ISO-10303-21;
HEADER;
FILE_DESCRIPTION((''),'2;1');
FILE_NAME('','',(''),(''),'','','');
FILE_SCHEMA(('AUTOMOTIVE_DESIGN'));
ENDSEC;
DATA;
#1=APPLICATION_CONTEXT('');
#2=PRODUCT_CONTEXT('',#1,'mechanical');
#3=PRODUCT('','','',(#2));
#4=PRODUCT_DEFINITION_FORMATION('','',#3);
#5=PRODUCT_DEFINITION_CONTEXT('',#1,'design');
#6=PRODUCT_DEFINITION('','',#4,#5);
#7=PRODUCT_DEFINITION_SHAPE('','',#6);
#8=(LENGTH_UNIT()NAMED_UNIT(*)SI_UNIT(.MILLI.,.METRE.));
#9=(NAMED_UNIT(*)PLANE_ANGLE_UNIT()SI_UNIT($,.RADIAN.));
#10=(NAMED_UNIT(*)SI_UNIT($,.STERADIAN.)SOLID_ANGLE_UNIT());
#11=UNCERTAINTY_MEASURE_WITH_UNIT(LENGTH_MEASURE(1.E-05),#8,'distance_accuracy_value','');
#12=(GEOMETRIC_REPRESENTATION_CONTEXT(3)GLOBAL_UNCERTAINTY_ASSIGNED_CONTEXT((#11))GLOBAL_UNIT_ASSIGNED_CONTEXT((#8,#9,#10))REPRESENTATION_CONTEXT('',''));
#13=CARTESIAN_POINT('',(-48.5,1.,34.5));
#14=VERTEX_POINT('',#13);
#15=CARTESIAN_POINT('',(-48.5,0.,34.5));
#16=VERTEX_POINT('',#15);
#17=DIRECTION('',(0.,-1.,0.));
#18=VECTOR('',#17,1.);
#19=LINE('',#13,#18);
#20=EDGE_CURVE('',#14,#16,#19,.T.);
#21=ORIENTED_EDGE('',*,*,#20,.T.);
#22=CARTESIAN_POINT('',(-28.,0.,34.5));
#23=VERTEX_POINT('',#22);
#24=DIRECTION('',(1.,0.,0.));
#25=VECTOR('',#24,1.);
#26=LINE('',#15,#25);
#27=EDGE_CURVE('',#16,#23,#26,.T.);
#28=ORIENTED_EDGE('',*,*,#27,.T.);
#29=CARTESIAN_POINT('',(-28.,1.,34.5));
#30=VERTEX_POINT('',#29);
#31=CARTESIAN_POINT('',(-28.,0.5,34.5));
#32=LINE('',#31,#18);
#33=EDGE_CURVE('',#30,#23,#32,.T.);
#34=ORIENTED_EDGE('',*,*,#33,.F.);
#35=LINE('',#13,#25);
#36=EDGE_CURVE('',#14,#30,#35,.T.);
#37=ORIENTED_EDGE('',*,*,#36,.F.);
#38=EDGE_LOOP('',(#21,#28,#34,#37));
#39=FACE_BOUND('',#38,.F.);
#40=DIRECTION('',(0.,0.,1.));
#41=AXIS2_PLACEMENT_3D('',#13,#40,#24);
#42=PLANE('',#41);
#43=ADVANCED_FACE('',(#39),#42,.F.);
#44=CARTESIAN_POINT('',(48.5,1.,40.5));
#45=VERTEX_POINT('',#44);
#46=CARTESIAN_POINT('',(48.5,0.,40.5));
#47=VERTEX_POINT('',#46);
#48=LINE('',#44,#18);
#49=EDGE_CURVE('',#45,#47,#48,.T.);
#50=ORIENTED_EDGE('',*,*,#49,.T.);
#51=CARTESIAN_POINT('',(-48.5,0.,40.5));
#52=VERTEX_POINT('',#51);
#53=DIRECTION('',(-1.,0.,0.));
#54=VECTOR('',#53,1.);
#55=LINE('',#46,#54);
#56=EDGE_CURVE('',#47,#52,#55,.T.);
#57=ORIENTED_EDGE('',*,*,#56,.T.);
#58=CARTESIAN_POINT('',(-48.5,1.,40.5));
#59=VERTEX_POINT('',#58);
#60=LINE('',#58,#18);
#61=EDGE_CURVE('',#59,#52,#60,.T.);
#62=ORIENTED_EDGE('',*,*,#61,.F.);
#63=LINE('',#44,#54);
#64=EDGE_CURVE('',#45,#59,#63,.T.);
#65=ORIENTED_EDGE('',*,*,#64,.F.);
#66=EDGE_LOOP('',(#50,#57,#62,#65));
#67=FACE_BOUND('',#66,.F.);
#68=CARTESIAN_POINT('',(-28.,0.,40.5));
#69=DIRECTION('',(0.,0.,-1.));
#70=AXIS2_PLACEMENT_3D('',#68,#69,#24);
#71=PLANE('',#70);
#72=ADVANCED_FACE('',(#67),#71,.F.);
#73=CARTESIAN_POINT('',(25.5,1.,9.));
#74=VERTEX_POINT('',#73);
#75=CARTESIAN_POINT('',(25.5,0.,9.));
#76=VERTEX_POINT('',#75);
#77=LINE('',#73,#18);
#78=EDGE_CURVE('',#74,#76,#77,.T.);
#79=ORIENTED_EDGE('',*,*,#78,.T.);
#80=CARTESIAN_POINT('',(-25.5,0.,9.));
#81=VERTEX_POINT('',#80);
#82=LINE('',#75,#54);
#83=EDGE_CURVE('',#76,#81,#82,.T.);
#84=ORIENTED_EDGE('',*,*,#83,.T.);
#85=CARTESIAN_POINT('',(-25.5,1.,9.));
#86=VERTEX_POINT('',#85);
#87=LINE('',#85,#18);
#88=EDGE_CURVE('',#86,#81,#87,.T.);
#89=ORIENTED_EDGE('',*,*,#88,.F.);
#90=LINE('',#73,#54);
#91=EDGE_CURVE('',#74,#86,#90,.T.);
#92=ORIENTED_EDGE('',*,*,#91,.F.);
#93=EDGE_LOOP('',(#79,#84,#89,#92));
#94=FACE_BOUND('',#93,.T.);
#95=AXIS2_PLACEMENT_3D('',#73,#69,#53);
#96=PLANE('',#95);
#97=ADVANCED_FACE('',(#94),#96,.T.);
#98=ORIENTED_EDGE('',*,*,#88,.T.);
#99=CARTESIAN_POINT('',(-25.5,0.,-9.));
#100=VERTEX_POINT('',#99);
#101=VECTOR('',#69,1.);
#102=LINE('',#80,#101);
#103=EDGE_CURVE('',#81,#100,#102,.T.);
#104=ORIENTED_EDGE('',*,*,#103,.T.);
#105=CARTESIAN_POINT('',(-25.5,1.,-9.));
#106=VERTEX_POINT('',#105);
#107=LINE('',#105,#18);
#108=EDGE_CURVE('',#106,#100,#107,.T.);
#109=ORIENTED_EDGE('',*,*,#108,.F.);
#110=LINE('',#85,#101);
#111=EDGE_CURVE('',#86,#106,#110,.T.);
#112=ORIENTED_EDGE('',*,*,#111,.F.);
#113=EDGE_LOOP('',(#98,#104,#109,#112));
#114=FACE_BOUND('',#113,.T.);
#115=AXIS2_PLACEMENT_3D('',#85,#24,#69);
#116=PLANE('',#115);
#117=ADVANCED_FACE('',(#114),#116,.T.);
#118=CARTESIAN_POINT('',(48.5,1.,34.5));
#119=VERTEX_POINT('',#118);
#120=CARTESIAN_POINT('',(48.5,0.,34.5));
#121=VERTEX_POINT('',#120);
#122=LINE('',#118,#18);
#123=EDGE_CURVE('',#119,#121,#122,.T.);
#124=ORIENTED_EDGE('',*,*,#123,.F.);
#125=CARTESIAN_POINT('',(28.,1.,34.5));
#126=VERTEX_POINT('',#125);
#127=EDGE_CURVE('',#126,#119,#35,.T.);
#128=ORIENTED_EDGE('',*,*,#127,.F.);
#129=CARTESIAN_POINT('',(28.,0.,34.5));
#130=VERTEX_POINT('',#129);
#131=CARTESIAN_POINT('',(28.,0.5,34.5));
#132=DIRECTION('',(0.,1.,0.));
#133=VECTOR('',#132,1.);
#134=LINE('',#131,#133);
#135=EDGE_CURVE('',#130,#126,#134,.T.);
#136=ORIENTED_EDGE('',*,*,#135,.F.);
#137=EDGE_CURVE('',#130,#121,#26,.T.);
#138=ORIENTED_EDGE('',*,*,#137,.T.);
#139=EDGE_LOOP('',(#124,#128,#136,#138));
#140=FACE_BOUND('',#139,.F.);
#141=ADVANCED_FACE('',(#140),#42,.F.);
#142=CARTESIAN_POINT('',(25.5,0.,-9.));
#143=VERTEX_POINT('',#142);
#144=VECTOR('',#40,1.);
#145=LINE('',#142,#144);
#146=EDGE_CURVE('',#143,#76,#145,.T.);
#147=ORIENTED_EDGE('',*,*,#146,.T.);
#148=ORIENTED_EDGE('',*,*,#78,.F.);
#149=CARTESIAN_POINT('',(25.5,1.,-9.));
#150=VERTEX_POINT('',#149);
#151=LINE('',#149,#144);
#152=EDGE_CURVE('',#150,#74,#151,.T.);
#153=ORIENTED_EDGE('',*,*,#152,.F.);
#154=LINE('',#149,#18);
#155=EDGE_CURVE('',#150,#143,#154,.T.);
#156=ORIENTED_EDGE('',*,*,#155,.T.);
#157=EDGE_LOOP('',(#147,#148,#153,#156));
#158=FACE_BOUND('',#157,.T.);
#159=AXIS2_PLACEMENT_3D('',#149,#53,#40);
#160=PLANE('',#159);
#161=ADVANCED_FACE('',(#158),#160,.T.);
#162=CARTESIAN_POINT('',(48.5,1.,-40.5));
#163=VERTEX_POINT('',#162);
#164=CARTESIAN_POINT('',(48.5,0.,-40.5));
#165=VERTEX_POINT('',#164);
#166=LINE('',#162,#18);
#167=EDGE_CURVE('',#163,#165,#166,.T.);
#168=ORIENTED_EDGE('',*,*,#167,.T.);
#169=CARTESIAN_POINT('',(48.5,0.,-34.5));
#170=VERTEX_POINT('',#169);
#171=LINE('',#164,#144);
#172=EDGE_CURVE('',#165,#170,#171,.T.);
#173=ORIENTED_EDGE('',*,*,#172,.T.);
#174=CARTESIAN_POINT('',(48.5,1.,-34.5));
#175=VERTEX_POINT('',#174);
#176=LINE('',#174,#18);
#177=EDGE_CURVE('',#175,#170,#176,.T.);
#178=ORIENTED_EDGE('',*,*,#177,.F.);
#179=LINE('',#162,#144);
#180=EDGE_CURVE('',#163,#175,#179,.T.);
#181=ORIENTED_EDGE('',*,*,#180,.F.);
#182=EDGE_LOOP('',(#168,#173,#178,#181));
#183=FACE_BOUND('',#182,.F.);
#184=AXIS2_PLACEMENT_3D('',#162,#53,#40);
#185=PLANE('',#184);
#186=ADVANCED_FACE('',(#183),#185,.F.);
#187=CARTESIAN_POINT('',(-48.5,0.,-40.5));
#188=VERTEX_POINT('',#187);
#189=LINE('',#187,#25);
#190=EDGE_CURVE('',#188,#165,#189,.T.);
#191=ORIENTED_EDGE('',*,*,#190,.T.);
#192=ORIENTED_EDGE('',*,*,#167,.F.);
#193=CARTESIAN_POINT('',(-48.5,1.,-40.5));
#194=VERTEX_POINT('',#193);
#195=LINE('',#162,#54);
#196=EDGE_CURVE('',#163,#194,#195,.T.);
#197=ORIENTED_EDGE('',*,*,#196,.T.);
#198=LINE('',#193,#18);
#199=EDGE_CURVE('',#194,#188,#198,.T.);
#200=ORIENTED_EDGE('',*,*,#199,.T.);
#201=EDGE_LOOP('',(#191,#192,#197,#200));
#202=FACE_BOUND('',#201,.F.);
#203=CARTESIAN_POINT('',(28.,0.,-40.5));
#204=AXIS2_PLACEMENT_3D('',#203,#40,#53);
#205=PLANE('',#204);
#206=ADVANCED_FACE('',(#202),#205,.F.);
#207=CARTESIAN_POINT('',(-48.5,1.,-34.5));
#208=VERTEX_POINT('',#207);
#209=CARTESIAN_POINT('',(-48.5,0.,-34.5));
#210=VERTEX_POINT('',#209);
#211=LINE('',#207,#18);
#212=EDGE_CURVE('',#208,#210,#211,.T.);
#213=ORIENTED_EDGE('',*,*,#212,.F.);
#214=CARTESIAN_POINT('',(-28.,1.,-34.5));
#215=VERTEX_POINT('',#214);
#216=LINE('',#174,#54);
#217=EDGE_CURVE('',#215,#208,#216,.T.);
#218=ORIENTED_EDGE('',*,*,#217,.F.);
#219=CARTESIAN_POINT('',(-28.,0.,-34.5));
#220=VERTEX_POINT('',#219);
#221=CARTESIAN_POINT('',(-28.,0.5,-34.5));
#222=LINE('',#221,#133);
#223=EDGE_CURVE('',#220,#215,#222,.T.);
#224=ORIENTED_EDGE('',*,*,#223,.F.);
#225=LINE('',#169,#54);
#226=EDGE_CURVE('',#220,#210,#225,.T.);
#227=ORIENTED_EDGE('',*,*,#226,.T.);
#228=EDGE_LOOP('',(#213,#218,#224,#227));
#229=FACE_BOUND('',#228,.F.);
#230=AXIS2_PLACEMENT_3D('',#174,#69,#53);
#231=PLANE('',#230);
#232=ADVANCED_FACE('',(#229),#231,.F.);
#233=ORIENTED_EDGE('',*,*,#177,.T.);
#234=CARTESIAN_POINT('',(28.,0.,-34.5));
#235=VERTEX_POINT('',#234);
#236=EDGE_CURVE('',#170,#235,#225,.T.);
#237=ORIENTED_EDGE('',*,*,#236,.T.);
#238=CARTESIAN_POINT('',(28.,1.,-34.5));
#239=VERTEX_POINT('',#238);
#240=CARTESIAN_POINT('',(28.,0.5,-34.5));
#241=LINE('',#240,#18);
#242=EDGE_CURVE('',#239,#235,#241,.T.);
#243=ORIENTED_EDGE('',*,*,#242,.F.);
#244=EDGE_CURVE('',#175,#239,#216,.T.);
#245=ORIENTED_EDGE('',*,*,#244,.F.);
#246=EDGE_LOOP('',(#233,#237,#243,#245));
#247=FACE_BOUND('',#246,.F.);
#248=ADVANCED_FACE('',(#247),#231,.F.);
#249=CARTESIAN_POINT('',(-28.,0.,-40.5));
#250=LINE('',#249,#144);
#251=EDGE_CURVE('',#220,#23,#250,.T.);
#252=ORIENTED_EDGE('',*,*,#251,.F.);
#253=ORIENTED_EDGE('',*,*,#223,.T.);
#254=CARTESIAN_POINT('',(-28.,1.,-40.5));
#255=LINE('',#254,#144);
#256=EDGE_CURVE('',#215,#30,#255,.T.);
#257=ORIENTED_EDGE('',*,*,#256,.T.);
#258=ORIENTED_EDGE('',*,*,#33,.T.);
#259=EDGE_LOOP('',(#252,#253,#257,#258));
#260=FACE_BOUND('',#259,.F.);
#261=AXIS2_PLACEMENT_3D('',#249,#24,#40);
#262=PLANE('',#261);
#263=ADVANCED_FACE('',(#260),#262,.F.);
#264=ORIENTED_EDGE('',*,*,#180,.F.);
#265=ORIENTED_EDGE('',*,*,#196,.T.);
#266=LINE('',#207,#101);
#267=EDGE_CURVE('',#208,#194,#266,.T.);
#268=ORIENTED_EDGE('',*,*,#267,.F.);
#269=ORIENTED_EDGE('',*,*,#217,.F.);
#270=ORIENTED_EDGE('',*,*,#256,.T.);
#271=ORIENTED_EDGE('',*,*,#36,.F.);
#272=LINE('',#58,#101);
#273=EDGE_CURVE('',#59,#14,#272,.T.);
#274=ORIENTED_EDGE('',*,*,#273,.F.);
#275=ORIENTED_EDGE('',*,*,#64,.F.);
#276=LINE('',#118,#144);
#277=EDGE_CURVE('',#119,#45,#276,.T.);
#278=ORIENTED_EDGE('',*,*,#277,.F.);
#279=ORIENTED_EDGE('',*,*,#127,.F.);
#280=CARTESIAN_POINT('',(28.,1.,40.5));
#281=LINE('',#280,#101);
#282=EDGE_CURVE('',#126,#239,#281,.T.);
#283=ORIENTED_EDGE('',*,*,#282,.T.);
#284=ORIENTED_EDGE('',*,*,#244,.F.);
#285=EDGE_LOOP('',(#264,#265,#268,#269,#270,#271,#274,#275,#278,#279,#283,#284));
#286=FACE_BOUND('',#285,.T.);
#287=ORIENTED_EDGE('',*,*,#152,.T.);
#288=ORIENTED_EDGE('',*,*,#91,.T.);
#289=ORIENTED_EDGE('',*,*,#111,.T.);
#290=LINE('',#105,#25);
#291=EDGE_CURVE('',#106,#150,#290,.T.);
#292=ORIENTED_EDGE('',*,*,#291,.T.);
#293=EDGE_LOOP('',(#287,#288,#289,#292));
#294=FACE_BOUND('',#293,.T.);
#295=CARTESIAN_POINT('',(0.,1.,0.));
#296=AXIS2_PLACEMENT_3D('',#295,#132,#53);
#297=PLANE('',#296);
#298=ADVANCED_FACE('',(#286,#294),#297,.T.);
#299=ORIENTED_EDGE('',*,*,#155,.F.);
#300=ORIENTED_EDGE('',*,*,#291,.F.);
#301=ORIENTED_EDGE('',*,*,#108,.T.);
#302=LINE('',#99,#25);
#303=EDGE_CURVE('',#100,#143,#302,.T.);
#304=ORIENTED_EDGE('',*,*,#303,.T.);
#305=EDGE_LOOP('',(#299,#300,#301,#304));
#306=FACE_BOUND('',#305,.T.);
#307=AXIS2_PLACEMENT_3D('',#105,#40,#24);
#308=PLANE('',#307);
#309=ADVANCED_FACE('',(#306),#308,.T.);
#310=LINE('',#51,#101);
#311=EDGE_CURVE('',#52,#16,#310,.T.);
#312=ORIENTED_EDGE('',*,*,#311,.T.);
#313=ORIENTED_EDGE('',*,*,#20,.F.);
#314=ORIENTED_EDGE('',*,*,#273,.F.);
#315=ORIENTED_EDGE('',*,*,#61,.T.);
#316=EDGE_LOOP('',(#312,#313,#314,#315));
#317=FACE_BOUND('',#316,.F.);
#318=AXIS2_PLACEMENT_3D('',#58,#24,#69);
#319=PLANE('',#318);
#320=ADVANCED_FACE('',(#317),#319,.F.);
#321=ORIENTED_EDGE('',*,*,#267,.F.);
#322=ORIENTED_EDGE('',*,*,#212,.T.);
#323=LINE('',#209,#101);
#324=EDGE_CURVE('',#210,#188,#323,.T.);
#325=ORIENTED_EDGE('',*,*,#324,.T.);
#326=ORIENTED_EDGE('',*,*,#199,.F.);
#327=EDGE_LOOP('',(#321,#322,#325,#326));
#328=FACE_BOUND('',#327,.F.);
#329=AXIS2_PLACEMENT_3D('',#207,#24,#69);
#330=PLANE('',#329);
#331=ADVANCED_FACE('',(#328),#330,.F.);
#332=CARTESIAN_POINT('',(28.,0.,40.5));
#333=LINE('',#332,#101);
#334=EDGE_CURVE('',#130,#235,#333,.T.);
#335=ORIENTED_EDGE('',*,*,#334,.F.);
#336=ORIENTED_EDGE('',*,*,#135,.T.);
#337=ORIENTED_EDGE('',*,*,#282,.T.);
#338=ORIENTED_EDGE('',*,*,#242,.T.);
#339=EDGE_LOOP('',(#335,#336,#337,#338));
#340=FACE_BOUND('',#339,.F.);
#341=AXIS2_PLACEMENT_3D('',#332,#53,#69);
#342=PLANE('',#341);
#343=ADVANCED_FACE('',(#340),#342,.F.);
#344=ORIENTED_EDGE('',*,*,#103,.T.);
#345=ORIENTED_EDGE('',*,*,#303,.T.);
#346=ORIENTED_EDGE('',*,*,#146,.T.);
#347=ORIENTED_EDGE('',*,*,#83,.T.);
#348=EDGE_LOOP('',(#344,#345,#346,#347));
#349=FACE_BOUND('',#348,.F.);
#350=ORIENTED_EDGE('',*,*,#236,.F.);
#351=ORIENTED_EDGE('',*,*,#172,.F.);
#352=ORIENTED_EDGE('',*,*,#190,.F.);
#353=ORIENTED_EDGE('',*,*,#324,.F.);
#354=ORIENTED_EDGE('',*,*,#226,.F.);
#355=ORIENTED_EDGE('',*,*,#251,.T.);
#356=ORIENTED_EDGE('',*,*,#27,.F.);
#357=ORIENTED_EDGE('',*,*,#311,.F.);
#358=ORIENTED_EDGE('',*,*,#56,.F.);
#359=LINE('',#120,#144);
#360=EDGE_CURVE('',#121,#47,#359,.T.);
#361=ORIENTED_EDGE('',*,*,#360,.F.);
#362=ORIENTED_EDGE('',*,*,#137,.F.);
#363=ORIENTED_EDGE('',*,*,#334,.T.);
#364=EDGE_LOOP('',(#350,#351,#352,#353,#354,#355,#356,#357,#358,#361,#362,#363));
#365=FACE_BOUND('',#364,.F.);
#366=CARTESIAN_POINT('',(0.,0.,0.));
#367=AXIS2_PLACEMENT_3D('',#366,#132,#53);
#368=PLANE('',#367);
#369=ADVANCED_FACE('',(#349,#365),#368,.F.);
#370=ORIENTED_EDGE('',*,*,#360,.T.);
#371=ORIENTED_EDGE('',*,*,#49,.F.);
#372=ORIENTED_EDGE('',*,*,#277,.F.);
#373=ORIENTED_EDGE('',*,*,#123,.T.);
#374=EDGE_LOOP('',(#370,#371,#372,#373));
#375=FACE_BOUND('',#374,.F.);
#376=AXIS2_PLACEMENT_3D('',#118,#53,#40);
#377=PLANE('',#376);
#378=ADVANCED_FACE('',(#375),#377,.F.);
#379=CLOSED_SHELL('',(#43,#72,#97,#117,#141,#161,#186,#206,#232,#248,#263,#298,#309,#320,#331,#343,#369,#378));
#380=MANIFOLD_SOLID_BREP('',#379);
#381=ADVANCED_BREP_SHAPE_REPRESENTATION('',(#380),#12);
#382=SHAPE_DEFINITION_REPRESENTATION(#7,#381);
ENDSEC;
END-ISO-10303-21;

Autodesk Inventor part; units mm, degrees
ref_plane "YZ Plane" through (0, 0, 0) normal (1, 0, 0) x (0, 1, 0)
ref_plane "XZ Plane" through (0, 0, 0) normal (0, 1, 0) x (-1, 0, 0)
ref_plane "XY Plane" through (0, 0, 0) normal (0, 0, 1) x (1, 0, 0)
sketch "Szkic1" plane through (0, 0, 0) normal (0, 1, 0) x (-1, 0, 0)
  line L0 (-28, -40.5) -> (28, -40.5)
  line L1 (28, -40.5) -> (28, 40.5)
  line L2 (28, 40.5) -> (-28, 40.5)
  line L3 (-28, 40.5) -> (-28, -40.5)
  point P0 (0, 0)
  dimension "d0" = 81
  dimension "d1" = 56
  dimension "d2" = 28
  dimension "d3" = 40.5
extrude "Wyciągnięcie proste1" add sketch "Szkic1" along normal blind 1
sketch "Szkic2" plane through (0, 1, 0) normal (0, 1, 0) x (1, 0, 0)
  line L0 (-25.5, 9) -> (25.5, 9)
  line L1 (25.5, 9) -> (25.5, -9)
  line L2 (25.5, -9) -> (-25.5, -9)
  line L3 (-25.5, -9) -> (-25.5, 9)
  point P0 (0, 0)
  dimension "d6" = 18
  dimension "d7" = 9
  dimension "d8" = 51
  dimension "d9" = 25.5
extrude "Wyciągnięcie proste2" cut sketch "Szkic2" against normal blind 1
sketch "Szkic3" plane through (0, 1, 0) normal (0, 1, 0) x (1, 0, 0)
  line L0 (-48.5, -34.5) -> (48.5, -34.5)
  line L1 (48.5, -34.5) -> (48.5, -40.5)
  line L2 (48.5, -40.5) -> (-48.5, -40.5)
  line L3 (-48.5, -40.5) -> (-48.5, -34.5)
  line L4 (-28, -40.5) -> (28, -40.5) projected
  line L5 (25.5, -9) -> (-25.5, -9) projected
  line L6 (-48.5, 40.5) -> (48.5, 40.5)
  line L7 (48.5, 40.5) -> (48.5, 34.5)
  line L8 (48.5, 34.5) -> (-48.5, 34.5)
  line L9 (-48.5, 34.5) -> (-48.5, 40.5)
  line L10 (28, 40.5) -> (-28, 40.5) projected
  point P0 (0, 0)
  point P1 (28, -9.365)
  point P2 (-28, -9.365)
  point P3 (-25.5, -9)
  dimension "d12" = 97
  dimension "d13" = 6
  dimension "d15" = 48.5
  dimension "d17" = 0
  dimension "d20" = 6
  dimension "d21" = 0
  dimension "d22" = 97
  dimension "d23" = 0
extrude "Wyciągnięcie proste4" add sketch "Szkic3" against normal blind 1
properties part number "pcb_bottom"
